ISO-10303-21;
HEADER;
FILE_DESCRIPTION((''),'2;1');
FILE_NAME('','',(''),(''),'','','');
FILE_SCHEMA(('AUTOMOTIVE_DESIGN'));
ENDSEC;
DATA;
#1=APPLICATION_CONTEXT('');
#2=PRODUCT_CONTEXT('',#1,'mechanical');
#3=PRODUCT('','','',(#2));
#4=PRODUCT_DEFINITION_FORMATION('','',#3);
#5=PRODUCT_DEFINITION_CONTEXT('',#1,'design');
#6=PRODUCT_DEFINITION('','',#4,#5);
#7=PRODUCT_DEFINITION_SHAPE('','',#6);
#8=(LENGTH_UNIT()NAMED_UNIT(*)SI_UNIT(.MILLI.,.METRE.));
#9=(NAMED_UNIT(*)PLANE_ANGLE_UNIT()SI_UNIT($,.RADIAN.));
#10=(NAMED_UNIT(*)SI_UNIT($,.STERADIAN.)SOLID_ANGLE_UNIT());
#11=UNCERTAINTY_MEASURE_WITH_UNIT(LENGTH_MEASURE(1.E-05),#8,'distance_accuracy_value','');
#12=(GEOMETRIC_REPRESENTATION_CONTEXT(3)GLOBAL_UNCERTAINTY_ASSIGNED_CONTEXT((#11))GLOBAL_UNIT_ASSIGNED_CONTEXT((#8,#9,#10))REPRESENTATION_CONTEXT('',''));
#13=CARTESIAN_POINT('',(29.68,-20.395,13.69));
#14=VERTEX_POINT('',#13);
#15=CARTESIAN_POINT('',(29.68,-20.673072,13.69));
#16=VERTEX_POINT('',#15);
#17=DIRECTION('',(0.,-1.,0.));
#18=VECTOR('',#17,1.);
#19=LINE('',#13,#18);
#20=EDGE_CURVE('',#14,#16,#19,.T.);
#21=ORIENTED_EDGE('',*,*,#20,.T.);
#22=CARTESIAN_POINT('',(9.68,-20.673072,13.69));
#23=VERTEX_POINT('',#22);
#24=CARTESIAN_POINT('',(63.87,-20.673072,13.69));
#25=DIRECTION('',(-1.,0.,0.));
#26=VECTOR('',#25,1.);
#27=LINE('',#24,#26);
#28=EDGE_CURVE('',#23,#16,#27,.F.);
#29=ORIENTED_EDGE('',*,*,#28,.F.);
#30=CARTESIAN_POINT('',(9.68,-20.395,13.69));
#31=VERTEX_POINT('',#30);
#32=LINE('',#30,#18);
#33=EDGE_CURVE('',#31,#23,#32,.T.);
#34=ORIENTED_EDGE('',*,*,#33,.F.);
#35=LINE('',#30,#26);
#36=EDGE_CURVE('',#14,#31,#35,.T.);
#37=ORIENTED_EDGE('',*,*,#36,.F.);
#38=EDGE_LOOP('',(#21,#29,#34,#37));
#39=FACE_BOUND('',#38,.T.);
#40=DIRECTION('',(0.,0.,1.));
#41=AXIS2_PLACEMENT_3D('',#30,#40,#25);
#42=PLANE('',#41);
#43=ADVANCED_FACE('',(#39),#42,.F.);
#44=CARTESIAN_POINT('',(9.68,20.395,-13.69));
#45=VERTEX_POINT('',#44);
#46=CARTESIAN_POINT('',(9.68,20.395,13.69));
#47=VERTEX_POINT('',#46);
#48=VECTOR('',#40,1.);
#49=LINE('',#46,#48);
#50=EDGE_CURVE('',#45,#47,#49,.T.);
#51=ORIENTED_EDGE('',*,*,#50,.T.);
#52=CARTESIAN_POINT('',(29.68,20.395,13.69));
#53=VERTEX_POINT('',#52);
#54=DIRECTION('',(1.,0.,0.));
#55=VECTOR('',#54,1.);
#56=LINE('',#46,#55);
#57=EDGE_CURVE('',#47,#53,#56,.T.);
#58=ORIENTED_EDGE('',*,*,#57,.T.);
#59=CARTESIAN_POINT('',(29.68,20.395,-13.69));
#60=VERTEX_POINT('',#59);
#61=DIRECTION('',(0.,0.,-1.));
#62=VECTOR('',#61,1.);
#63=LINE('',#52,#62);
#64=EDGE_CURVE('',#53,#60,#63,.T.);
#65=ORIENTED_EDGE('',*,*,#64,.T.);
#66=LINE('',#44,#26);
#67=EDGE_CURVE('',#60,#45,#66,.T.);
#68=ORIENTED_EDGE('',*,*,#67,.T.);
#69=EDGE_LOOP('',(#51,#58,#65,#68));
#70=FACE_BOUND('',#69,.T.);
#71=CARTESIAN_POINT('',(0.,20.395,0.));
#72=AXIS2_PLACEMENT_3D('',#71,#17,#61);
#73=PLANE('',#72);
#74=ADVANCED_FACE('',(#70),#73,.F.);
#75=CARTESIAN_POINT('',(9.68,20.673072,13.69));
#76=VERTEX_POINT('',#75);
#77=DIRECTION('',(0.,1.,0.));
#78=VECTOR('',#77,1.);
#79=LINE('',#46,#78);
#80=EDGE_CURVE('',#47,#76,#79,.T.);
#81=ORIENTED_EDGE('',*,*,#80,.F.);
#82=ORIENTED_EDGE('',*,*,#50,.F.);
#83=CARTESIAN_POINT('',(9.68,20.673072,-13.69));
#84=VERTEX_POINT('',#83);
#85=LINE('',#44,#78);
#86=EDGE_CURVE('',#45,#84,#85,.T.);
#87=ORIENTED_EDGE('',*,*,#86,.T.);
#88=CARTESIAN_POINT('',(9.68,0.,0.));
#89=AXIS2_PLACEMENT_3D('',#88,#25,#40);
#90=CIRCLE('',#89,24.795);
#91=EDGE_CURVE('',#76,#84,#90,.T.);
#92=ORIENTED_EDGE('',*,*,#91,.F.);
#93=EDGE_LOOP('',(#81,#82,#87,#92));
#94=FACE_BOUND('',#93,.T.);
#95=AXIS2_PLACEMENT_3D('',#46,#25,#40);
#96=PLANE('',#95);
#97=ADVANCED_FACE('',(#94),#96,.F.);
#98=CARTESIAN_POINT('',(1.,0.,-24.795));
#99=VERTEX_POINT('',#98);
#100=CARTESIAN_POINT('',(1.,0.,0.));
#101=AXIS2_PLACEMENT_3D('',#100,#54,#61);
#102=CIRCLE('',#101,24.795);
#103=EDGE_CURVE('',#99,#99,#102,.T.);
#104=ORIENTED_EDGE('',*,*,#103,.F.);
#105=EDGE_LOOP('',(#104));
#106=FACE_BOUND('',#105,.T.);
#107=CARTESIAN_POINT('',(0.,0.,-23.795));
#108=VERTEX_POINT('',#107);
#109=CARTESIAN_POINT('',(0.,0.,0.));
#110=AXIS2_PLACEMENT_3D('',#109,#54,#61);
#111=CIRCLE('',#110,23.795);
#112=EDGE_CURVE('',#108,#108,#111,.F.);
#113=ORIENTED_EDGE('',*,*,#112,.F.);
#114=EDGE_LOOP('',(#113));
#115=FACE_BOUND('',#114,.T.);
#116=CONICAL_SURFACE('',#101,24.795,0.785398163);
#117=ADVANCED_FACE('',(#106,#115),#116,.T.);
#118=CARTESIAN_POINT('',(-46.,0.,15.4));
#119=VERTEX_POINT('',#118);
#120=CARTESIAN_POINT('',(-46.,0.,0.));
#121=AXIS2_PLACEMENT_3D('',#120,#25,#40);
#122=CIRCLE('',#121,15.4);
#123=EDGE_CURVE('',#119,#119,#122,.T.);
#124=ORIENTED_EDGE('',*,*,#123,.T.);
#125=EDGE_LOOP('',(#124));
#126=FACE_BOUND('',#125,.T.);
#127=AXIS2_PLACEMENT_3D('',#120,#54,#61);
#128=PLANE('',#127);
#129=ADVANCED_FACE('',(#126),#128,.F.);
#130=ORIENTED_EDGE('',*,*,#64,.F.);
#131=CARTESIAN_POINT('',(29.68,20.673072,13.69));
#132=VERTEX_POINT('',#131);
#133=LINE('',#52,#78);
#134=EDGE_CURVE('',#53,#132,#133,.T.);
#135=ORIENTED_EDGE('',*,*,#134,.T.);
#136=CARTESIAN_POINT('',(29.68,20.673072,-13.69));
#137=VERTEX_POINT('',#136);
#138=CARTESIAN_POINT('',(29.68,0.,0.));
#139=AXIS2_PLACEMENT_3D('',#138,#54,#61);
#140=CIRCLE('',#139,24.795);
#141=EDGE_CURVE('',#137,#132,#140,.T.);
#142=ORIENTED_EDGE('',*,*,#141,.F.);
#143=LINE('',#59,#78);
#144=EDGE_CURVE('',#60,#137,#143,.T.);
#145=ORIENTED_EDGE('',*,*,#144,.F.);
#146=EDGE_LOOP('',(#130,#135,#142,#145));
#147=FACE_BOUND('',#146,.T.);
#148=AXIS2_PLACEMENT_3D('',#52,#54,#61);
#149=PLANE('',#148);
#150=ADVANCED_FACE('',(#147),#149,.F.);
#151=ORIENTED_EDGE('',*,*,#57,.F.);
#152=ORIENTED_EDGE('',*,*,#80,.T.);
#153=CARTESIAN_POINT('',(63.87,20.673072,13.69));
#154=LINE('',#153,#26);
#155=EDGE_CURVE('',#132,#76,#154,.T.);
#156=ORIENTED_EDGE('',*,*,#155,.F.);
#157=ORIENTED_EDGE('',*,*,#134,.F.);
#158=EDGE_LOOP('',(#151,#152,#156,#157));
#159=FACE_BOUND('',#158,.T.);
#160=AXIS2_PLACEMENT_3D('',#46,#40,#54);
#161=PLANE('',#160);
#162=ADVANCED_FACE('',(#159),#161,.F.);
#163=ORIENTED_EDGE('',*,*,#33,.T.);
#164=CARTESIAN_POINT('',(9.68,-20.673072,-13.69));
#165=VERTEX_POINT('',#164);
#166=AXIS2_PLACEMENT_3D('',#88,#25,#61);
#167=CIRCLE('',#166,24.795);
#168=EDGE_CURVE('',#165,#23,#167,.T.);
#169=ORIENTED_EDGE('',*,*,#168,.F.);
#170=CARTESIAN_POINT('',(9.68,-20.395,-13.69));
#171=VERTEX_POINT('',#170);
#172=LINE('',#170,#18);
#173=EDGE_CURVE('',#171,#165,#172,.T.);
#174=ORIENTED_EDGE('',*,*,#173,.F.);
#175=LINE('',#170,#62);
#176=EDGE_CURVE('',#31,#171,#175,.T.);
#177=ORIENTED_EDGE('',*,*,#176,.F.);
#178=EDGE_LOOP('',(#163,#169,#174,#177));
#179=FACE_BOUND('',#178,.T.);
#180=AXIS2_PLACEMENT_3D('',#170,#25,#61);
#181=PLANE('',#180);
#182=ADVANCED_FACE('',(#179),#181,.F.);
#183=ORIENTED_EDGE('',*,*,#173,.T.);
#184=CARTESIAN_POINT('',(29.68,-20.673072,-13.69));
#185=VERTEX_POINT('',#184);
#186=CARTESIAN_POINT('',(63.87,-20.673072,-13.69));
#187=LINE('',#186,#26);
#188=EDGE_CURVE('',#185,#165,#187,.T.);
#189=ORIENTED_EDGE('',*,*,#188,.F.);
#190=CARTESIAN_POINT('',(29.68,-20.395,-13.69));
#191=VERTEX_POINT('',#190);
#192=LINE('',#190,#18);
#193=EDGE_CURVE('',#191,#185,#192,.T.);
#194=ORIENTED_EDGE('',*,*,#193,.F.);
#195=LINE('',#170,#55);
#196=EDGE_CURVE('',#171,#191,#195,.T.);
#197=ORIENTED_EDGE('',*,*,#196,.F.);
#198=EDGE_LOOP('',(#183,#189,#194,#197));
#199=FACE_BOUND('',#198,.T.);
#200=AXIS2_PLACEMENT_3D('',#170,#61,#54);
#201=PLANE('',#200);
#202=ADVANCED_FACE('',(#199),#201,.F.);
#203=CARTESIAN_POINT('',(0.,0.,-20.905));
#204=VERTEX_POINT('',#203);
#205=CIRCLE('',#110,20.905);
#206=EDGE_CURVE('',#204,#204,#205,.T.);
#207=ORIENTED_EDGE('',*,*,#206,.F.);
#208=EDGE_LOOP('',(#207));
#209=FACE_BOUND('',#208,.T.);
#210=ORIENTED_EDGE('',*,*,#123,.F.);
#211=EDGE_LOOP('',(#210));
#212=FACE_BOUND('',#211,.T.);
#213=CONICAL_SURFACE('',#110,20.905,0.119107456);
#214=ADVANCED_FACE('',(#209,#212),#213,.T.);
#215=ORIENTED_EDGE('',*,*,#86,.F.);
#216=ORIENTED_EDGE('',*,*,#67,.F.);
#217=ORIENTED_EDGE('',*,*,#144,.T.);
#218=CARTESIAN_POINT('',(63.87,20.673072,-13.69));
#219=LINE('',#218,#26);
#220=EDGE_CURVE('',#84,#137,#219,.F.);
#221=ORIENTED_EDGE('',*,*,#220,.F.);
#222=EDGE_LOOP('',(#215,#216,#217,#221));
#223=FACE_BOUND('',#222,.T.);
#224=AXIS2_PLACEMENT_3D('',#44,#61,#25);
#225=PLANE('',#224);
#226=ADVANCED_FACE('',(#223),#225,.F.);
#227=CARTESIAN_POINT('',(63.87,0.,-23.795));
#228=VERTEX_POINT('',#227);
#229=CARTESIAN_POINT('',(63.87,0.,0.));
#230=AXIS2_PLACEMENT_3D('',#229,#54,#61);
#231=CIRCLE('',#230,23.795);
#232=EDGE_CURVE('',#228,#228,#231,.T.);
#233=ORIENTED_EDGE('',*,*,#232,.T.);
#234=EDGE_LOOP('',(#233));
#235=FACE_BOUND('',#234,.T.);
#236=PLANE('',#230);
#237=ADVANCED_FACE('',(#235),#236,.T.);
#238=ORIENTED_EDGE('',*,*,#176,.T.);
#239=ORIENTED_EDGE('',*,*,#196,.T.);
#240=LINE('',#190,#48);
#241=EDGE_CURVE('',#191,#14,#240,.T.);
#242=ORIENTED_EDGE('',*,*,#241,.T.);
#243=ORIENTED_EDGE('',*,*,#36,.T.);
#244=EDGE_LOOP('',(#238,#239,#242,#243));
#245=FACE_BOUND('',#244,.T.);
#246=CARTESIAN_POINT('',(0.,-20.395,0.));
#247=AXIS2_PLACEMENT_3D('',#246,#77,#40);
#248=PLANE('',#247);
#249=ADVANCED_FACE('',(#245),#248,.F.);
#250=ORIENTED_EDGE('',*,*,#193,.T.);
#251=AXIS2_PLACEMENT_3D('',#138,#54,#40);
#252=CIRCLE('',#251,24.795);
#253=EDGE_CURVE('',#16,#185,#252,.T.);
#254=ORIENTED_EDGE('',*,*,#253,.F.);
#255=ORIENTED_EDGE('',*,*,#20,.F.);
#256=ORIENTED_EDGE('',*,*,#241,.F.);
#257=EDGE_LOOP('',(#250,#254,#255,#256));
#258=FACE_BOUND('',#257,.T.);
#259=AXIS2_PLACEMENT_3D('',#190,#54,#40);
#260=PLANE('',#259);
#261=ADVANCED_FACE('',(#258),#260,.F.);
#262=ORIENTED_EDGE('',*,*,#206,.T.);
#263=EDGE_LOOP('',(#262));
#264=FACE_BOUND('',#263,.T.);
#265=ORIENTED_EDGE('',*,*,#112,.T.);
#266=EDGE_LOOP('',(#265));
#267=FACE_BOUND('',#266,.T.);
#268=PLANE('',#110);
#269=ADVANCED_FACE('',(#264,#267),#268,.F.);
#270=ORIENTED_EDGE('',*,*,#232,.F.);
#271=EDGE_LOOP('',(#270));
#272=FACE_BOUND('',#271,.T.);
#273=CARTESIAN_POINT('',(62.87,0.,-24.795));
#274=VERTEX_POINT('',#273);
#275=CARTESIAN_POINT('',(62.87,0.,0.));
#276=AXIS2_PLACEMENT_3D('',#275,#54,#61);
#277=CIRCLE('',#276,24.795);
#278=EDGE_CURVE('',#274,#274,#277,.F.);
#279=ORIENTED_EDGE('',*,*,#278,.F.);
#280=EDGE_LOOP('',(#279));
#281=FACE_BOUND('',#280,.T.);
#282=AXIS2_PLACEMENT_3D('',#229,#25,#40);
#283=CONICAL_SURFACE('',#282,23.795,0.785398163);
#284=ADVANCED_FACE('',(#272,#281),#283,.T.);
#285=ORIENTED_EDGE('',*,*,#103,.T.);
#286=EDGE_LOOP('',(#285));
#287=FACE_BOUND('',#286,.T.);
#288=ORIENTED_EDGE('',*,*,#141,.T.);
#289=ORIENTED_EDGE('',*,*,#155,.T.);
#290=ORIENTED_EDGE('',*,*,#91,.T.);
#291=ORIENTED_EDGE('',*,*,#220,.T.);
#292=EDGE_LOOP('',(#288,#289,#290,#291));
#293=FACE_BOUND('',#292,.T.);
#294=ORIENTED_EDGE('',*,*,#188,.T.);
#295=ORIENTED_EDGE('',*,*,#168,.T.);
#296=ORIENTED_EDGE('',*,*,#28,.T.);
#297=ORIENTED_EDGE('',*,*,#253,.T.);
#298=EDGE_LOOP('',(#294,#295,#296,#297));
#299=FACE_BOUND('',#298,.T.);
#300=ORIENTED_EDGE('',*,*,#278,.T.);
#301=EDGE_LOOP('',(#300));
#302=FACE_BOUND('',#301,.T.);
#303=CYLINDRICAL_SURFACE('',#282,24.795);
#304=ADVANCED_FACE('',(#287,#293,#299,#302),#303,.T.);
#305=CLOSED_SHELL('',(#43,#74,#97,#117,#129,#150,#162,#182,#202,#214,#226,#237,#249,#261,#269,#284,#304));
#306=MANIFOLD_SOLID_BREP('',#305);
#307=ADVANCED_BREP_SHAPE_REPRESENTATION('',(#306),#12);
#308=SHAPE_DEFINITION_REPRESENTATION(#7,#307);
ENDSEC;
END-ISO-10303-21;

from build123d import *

# Parameters (mm, degrees)
SKIZZE2_R                       = 24.795
AUFSATZ_LINEAR_AUSTRAGEN1_DEPTH = 63.87
SKIZZE8_W                       = 20
SKIZZE8_H                       = 27.38
SCHNITT_LINEAR_AUSTRAGEN1_DEPTH = 4.4
KREISMUSTER1_COUNT              = 2
FASE1_SIZE                      = 1


with BuildPart() as part:
    # Skizze1 → Rotation1 (revolve)
    with BuildSketch(Plane(origin=(0, 0, 0), x_dir=(1, 0, 0), z_dir=(0, 1, 0)), mode=Mode.PRIVATE) as rotation1_sk:
        Polygon((-46, 0), (-46, 15.4), (0, 20.905), (0, 0), align=None)
    revolve(rotation1_sk.sketch.rotate(Axis((-46, 0, 0), (1, 0, 0)), 180), axis=Axis((-46, 0, 0), (1, 0, 0)))  # turned: the seam where the file's is

    # Skizze2 → Aufsatz-Linear austragen1 (add)
    with BuildSketch(Plane(origin=(0, 0, 0), x_dir=(0, 0, -1), z_dir=(1, 0, 0))):
        Circle(SKIZZE2_R)
    extrude(amount=AUFSATZ_LINEAR_AUSTRAGEN1_DEPTH)

    # Skizze8 → Schnitt-Linear austragen1 (cut)
    with BuildSketch(Plane(origin=(0, 24.795, 0), x_dir=(1, 0, 0), z_dir=(0, 1, 0))):
        with Locations((19.68, 0)):
            Rectangle(SKIZZE8_W, SKIZZE8_H)
    schnitt_linear_austragen1 = extrude(amount=-SCHNITT_LINEAR_AUSTRAGEN1_DEPTH, mode=Mode.SUBTRACT)

    # Kreismuster1: Schnitt-Linear austragen1 ×2 about axis
    kreismuster1_axis = Axis((0, 0, 0), (1, 0, 0))
    for i in range(1, KREISMUSTER1_COUNT):
        add(schnitt_linear_austragen1.rotate(kreismuster1_axis, i * 360 / KREISMUSTER1_COUNT), mode=Mode.SUBTRACT)

    # Fase1
    fase1_edges = [part.edges().sort_by_distance(p)[0] for p in [
        (0, 0, 24.795),
        (63.87, 0, 24.795),
    ]]
    chamfer(fase1_edges, length=FASE1_SIZE)


solid = part.part
